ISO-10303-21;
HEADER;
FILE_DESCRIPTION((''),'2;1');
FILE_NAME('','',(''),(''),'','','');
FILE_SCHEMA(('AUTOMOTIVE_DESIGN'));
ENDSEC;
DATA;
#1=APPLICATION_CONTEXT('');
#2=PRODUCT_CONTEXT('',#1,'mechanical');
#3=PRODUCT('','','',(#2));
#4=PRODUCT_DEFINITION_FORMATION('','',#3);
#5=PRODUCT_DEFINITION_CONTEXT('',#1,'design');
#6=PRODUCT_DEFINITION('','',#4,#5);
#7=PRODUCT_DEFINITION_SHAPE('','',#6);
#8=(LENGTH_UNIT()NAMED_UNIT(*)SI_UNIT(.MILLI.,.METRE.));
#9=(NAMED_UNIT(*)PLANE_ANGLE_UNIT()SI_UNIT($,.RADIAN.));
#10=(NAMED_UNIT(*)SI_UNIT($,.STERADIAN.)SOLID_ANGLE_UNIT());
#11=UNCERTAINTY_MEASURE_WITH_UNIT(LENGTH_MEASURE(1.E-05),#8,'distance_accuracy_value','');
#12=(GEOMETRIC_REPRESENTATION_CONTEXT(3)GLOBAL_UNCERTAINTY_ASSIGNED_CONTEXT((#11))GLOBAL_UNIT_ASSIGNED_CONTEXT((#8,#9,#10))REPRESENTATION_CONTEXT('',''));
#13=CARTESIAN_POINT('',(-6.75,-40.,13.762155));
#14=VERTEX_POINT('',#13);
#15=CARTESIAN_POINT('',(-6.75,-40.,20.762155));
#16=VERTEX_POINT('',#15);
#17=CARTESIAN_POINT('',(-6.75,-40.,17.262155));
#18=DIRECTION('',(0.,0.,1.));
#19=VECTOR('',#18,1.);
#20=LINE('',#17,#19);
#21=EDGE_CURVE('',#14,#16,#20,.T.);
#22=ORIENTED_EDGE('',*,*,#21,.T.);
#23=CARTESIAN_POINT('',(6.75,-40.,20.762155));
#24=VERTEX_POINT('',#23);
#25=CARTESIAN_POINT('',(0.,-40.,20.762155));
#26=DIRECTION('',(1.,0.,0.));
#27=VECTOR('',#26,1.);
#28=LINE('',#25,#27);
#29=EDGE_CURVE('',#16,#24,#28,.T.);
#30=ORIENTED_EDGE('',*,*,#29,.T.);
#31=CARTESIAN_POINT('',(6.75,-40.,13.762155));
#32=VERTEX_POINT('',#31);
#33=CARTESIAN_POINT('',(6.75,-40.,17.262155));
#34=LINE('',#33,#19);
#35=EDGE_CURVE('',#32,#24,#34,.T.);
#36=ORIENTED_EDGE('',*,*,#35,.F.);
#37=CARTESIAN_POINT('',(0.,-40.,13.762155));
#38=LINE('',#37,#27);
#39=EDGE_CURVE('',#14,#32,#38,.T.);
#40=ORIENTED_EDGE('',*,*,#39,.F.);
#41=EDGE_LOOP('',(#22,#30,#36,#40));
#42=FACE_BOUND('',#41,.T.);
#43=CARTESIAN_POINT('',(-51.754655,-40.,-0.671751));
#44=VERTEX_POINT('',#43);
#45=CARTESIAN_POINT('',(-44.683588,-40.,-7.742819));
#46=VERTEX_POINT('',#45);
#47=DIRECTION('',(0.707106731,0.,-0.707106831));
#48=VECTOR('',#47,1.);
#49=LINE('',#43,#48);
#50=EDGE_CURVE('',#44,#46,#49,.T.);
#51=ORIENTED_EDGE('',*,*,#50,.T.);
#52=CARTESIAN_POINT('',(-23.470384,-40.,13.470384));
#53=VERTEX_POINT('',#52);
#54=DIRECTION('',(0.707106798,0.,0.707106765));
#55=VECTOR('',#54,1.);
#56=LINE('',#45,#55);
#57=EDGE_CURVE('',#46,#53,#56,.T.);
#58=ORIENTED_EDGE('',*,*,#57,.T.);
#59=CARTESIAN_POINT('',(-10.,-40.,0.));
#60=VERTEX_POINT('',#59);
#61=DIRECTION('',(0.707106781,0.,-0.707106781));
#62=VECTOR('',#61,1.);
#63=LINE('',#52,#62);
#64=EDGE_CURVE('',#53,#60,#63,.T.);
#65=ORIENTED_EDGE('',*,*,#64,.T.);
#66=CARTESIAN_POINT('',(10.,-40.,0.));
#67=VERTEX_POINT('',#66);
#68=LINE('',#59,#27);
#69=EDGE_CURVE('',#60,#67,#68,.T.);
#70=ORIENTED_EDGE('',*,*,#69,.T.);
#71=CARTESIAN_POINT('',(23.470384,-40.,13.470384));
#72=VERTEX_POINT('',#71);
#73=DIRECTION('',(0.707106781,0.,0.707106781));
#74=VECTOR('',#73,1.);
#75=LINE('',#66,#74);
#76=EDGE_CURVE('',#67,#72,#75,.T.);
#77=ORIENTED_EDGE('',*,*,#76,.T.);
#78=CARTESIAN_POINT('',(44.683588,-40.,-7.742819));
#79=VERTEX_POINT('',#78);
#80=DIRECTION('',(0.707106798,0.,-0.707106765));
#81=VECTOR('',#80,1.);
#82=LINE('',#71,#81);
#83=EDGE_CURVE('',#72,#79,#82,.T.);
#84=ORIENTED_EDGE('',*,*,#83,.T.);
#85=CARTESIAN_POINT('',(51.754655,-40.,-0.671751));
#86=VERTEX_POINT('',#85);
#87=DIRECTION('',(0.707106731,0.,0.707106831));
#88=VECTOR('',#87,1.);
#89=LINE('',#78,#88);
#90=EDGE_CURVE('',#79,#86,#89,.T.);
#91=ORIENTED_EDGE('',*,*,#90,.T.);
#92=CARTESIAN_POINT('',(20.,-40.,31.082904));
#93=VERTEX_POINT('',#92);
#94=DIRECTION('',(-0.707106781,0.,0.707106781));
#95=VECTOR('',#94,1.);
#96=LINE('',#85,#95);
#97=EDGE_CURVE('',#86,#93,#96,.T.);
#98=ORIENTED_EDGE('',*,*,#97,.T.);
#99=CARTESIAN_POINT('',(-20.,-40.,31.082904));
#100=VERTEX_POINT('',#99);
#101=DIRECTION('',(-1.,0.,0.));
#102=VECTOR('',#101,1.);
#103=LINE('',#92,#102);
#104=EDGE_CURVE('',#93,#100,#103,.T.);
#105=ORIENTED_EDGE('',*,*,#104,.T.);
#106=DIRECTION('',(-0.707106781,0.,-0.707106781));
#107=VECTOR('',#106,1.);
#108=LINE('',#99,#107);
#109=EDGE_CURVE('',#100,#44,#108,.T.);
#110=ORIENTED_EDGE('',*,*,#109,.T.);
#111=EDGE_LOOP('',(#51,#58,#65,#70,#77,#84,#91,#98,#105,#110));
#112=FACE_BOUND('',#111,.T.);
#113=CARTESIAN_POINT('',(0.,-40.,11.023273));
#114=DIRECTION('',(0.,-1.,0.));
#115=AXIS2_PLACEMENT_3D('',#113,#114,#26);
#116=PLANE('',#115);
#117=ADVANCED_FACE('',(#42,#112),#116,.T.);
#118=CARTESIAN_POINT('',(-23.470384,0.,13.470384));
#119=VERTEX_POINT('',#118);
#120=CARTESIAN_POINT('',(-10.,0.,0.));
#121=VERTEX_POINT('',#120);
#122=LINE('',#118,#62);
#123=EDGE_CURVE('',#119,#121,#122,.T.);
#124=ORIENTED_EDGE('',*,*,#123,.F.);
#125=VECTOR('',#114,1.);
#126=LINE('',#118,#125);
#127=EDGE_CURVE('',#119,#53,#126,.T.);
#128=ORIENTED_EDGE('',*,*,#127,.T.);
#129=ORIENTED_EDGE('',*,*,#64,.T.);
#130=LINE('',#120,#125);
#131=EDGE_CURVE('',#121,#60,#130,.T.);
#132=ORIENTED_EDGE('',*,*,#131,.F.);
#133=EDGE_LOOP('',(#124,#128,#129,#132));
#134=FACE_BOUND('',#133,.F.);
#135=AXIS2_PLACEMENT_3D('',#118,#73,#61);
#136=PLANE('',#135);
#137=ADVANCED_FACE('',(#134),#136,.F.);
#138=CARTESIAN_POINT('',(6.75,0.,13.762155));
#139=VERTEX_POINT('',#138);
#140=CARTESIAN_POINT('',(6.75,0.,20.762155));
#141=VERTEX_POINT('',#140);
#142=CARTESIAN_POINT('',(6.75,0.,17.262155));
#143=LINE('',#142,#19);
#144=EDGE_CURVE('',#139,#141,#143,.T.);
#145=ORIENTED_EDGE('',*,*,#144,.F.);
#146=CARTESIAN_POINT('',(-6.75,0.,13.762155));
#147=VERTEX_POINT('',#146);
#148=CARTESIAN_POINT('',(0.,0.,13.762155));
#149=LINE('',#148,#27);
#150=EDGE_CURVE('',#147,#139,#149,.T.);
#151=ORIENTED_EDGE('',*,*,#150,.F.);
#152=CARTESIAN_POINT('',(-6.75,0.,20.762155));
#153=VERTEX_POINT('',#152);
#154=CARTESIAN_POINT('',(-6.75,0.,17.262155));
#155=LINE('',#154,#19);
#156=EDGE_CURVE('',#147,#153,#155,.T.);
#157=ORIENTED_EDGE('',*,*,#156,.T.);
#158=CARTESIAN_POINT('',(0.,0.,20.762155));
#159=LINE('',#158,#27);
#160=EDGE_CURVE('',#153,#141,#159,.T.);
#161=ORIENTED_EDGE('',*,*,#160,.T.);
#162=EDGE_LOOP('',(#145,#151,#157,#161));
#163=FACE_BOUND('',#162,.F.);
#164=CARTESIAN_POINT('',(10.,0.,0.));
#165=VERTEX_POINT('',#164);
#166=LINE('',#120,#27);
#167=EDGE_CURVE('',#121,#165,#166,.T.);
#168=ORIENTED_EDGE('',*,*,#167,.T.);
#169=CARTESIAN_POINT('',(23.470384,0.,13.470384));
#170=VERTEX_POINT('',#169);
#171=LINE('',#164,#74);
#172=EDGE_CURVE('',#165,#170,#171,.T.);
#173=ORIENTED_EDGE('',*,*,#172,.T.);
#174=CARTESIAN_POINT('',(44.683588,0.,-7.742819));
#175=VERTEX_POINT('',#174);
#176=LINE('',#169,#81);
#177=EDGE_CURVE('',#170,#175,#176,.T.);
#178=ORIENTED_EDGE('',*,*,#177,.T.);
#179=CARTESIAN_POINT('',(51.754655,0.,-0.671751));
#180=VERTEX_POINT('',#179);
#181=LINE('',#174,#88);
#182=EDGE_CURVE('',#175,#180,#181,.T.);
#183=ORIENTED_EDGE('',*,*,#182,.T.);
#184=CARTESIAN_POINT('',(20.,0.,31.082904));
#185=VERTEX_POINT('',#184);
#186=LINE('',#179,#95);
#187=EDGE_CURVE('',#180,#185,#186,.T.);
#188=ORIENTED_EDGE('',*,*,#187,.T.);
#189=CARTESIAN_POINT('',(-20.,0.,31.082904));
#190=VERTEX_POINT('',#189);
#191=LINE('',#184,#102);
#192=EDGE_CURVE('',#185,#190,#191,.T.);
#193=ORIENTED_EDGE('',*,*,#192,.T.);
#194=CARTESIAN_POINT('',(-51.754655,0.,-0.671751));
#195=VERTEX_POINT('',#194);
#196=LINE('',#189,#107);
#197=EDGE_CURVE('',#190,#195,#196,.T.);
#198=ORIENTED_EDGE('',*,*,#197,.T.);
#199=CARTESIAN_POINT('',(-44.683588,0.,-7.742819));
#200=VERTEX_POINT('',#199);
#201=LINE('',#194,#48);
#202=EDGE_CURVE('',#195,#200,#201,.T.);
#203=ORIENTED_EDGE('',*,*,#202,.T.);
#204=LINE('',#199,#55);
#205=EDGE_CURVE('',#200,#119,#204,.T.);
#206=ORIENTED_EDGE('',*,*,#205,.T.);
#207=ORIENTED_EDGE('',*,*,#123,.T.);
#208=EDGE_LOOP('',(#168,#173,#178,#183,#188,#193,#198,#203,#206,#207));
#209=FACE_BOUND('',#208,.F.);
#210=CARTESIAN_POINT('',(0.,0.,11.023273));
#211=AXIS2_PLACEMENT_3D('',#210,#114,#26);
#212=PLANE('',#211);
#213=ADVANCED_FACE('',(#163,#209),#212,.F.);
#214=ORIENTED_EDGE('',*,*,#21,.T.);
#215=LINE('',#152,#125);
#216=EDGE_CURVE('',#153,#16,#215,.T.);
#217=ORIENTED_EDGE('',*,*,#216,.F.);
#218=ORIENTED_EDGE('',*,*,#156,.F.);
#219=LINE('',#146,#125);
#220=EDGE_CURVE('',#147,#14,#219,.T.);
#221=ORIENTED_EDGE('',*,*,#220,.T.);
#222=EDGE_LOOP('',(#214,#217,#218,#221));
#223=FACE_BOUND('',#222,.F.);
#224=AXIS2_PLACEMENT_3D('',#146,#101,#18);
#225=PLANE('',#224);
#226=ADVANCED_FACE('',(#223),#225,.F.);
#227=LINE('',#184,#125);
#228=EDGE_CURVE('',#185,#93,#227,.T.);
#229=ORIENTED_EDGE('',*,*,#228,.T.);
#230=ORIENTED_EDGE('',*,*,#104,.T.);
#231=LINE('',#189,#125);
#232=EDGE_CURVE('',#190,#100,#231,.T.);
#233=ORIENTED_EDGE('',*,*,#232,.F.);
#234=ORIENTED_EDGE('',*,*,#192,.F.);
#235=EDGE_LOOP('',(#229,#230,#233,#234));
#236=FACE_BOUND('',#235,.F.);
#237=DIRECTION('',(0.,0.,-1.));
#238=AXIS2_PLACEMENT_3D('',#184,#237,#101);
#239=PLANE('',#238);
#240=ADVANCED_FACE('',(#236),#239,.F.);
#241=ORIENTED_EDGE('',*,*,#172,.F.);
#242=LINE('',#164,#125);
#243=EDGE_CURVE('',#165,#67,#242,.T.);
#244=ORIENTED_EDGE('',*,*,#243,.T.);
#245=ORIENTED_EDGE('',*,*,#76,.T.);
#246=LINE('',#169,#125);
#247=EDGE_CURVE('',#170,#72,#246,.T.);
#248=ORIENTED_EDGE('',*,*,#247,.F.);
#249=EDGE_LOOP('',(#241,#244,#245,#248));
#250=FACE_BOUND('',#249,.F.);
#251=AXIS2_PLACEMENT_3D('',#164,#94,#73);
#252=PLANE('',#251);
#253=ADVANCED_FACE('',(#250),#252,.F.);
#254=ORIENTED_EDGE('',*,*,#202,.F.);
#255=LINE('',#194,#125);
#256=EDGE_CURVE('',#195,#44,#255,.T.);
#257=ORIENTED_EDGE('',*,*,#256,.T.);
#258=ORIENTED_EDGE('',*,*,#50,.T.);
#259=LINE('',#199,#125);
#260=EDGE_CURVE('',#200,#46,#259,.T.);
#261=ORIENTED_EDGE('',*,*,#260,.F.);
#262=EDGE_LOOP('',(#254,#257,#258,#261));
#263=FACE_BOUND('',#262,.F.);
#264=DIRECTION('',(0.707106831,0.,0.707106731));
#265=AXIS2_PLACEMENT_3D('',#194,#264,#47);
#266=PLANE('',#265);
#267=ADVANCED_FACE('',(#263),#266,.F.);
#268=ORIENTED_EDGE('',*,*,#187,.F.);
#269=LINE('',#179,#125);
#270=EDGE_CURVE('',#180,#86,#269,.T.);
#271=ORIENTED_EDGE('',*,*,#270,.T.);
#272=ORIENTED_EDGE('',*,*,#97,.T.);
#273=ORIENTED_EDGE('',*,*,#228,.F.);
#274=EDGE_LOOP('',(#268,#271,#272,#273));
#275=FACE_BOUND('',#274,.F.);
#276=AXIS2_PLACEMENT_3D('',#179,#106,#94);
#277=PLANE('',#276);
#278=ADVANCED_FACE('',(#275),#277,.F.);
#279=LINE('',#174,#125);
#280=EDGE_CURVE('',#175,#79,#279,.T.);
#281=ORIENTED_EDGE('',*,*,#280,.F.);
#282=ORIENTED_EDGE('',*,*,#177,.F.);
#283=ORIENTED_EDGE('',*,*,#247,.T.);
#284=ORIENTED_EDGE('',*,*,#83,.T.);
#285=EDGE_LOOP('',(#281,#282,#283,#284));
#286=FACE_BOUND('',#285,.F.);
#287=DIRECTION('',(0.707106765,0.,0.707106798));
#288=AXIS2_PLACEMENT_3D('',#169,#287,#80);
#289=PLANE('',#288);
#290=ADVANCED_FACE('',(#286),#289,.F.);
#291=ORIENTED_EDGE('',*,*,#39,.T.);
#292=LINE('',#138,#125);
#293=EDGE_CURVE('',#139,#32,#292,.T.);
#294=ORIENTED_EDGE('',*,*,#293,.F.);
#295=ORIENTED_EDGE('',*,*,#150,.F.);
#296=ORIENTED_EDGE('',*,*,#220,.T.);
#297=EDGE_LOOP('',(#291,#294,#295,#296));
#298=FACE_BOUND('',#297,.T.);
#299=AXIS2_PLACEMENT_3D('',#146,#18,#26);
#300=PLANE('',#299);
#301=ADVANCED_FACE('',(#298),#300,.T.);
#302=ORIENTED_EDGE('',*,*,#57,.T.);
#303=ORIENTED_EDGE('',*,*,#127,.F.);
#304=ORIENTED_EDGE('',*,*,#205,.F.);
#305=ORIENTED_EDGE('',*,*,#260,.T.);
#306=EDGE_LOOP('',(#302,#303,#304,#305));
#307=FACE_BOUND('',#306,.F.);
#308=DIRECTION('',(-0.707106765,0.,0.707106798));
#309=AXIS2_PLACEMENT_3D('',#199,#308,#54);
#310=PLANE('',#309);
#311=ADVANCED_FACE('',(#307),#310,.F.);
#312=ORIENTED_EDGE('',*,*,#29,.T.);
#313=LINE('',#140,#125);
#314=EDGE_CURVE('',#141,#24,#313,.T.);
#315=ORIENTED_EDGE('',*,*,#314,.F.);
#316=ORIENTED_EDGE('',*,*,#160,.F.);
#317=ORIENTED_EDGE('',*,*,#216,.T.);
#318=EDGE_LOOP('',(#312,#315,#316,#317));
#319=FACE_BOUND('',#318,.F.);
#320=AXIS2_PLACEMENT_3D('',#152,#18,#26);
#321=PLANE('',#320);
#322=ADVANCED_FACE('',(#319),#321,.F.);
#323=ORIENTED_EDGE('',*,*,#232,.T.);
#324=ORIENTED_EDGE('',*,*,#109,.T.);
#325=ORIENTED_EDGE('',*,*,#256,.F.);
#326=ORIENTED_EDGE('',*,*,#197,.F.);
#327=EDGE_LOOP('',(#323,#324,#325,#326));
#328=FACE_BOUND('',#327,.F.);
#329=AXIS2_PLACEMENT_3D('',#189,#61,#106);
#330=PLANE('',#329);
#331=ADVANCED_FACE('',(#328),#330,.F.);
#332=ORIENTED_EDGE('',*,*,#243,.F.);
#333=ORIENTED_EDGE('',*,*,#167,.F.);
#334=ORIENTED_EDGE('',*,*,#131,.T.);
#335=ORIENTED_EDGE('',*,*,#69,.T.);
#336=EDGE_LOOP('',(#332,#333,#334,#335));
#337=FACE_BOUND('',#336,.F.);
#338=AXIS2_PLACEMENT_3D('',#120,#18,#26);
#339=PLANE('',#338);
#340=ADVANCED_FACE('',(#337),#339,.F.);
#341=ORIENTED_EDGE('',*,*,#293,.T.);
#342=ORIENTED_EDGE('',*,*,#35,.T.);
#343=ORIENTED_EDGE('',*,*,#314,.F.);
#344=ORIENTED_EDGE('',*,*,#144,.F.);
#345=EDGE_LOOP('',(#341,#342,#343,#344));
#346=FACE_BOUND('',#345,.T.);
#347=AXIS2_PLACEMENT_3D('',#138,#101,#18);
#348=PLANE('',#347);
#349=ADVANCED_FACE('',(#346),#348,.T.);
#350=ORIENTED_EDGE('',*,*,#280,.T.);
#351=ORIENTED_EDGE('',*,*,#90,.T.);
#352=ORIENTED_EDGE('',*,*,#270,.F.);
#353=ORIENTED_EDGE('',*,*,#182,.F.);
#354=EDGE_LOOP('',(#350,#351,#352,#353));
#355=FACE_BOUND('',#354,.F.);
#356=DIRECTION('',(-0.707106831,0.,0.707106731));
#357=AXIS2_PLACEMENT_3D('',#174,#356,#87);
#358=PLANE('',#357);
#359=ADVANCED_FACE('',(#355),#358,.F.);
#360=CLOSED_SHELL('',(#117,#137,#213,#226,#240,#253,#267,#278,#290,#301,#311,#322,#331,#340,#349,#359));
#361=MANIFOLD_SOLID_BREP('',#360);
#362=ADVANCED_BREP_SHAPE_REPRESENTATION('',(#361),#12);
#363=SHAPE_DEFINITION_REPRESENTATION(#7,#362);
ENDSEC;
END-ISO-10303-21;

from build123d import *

# Parameters (mm, degrees)
F0_W     = 13.5
F0_H     = 7
F1_DEPTH = 40


with BuildPart() as f1:
    # F0 (on Front) → F1 (new body)
    with BuildSketch(Plane.XZ):
        Polygon((-10, 0), (0, 0), (10, 0), (23.470384, 13.470384), (44.683588, -7.742819), (51.754655, -0.671751), (20, 31.082904), (0, 31.082904), (-20, 31.082904), (-51.754655, -0.671751), (-44.683588, -7.742819), (-23.470384, 13.470384), align=None)
        with Locations((0, 17.262155)):
            Rectangle(F0_W, F0_H, mode=Mode.SUBTRACT)
    extrude(amount=F1_DEPTH)


solid = f1.part
